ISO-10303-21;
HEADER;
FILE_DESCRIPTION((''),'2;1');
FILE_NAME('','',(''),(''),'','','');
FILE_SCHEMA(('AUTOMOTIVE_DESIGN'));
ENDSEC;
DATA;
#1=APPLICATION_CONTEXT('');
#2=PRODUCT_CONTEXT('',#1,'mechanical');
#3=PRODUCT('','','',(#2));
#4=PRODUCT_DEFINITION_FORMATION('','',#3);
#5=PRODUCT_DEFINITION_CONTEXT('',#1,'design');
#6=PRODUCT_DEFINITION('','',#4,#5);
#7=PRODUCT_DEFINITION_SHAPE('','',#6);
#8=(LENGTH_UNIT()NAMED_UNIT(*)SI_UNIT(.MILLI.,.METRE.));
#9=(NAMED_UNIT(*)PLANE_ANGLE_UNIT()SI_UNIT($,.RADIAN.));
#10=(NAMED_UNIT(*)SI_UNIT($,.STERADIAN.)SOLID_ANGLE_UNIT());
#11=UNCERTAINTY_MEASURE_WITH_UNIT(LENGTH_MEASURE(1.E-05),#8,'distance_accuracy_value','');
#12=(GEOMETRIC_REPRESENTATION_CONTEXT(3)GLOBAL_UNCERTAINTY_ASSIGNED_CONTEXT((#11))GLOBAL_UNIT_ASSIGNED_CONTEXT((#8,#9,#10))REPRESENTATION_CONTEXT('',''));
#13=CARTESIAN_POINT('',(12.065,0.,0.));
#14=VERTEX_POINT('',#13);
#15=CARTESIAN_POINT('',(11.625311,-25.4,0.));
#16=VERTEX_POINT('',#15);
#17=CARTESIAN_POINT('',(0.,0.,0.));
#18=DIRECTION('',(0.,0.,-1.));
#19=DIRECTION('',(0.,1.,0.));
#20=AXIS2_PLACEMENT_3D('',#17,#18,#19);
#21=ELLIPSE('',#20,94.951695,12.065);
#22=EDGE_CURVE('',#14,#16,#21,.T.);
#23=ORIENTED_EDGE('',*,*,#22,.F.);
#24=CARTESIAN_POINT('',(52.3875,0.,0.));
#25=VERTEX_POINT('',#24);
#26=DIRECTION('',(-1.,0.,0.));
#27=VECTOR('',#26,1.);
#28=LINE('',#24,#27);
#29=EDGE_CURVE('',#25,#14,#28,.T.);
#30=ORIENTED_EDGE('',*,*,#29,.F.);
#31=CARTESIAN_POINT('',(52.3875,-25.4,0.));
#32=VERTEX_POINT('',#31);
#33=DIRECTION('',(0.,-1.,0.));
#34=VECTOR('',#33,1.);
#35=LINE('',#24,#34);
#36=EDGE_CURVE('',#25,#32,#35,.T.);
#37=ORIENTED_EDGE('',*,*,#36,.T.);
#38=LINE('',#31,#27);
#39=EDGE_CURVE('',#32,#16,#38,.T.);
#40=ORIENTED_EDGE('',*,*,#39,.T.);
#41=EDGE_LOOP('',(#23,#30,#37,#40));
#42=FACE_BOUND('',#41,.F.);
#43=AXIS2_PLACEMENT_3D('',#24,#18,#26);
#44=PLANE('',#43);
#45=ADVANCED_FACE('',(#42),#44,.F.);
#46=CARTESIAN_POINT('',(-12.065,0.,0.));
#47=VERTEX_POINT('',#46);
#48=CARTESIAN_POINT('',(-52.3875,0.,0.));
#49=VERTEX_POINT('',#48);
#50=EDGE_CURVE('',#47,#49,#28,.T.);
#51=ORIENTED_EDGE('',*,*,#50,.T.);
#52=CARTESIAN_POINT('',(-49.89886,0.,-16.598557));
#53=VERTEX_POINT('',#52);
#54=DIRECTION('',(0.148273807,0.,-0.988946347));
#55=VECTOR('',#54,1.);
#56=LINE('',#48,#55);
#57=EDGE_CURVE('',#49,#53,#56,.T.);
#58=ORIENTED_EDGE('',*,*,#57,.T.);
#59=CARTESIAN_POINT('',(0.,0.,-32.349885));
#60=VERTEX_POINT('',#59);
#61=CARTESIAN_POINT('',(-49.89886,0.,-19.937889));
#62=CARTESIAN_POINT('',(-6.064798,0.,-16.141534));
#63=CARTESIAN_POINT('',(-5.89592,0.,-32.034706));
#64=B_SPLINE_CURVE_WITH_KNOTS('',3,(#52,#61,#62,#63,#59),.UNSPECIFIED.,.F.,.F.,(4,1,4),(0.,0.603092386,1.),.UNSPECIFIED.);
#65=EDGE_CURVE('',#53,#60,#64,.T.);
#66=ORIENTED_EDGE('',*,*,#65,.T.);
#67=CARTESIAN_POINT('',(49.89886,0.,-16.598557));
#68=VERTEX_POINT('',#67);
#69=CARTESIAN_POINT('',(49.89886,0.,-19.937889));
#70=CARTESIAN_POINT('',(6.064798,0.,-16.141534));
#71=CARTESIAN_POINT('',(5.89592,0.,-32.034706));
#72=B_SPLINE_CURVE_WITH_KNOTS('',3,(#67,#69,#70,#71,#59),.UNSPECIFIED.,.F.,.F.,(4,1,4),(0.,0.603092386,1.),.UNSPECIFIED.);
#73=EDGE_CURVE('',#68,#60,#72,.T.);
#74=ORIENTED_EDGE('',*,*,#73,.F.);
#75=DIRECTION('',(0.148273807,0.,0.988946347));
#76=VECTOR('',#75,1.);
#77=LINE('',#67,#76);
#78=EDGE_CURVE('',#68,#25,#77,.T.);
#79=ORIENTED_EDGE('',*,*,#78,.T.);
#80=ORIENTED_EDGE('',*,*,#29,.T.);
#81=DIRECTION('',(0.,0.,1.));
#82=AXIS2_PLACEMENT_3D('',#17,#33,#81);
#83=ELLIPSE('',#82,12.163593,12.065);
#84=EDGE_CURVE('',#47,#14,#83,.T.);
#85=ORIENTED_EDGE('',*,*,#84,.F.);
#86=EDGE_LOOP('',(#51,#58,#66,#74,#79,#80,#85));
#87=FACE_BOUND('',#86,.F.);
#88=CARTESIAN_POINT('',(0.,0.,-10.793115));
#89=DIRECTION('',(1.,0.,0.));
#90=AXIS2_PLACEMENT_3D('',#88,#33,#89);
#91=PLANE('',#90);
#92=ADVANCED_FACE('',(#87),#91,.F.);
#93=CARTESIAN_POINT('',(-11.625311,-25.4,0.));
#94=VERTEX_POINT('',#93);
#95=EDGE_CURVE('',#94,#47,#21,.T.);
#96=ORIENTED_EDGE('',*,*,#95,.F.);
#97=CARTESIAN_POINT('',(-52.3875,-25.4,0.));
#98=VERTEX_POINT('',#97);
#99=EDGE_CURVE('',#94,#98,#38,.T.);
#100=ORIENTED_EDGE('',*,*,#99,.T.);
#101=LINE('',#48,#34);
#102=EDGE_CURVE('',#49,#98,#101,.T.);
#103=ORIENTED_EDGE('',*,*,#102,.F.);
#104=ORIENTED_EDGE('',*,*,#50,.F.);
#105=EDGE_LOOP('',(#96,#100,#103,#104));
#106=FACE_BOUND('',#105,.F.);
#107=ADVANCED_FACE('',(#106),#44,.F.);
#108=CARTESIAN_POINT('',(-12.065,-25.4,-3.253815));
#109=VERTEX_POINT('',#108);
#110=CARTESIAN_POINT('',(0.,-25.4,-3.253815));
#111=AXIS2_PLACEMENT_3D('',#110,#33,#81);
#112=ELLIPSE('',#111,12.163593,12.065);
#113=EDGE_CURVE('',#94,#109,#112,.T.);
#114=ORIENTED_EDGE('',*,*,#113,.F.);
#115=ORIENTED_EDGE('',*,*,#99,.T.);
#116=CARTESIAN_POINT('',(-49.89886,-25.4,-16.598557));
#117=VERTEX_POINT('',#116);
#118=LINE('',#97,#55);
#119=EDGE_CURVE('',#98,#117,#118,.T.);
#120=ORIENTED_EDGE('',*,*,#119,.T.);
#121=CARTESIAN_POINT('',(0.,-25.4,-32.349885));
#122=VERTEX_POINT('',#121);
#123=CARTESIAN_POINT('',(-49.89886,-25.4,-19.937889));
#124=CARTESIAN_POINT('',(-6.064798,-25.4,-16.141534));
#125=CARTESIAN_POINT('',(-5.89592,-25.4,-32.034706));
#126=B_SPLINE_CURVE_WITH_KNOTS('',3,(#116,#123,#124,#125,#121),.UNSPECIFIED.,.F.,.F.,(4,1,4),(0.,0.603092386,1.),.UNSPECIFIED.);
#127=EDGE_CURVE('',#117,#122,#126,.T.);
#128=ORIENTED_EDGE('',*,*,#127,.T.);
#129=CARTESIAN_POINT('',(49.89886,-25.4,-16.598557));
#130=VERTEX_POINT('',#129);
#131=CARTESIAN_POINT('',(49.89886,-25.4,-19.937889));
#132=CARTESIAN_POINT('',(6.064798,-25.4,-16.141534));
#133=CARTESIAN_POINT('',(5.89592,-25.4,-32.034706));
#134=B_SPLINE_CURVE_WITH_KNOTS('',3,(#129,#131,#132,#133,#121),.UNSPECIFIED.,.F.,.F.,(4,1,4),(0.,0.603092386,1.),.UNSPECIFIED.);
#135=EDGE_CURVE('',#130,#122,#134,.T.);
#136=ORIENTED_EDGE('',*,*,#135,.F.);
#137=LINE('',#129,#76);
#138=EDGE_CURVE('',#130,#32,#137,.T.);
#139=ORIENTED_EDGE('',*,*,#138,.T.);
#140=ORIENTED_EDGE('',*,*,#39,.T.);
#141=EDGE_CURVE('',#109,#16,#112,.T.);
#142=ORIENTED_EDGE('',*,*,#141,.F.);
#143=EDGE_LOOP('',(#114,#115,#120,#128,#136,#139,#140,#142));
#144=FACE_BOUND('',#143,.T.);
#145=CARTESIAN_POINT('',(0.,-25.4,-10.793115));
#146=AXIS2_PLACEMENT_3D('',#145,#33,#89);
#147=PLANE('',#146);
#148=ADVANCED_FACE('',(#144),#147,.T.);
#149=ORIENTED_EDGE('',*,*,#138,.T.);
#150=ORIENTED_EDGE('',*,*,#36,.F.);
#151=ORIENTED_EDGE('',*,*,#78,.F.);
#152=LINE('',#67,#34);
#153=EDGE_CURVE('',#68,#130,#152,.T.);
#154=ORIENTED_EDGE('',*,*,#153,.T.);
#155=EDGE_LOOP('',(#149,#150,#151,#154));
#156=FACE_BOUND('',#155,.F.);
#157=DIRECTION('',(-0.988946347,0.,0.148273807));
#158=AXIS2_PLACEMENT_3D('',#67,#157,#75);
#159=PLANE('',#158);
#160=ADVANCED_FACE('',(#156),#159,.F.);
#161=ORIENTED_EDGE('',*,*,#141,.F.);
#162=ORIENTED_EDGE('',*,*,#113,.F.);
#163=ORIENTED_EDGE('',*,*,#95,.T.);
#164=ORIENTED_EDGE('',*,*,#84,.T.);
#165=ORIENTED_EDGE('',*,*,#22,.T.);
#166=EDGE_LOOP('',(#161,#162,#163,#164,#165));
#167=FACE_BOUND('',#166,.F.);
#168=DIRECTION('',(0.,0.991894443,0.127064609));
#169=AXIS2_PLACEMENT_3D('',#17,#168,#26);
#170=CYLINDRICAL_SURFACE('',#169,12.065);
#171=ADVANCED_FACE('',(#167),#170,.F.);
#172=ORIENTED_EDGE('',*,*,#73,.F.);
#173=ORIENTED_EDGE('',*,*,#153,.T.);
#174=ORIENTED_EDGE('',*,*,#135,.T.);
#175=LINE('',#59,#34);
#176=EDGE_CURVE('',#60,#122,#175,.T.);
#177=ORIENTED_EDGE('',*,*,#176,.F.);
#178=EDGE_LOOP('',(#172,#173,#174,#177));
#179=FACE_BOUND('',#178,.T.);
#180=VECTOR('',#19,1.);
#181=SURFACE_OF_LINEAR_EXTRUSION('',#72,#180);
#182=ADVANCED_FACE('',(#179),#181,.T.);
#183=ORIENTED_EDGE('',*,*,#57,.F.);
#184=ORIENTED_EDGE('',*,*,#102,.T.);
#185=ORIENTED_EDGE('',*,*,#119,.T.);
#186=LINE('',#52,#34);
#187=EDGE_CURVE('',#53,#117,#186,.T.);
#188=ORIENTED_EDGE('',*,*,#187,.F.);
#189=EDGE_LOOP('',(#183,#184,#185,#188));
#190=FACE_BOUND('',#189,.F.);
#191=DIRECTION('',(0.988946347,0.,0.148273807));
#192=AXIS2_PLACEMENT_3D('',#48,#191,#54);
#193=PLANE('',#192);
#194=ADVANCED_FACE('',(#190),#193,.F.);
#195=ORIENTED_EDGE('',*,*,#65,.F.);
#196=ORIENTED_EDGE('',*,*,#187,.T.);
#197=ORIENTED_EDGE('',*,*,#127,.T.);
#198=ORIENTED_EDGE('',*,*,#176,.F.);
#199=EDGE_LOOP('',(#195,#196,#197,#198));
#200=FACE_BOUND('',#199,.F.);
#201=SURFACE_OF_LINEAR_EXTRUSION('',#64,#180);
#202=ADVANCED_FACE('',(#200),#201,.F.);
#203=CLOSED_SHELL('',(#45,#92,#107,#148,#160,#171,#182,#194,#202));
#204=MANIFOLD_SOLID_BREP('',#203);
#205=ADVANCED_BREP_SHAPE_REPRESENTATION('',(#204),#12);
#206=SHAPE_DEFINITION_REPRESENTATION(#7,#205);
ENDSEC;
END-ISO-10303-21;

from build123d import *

# Parameters (mm, degrees)
F1_DEPTH = 25.4
F3_R     = 12.065
F4_DEPTH = 76.2


with BuildPart() as f1:
    # F0 (on Front) → F1 (new body)
    with BuildSketch(Plane.XZ):
        with BuildLine():
            Line((52.3875, 0), (-52.3875, 0))
            Line((-52.3875, 0), (-49.8988601972, -16.5985570235))
            add(Edge.make_bspline(
                [(-49.8988601972, -16.5985570235), (-49.8988601972, -19.9378890599), (-6.0647983403, -16.1415340845), (-5.8959199742, -32.0347056309), (0, -32.349884783)],
                knots=[0, 0, 0, 0, 0.6030923859, 1, 1, 1, 1], degree=3))
            add(Edge.make_bspline(
                [(49.8988601972, -16.5985570235), (49.8988601972, -19.9378890599), (6.0647983403, -16.1415340845), (5.8959199742, -32.0347056309), (0, -32.349884783)],
                knots=[0, 0, 0, 0, 0.6030923859, 1, 1, 1, 1], degree=3))
            Line((49.8988601972, -16.5985570235), (52.3875, 0))
        make_face()
    extrude(amount=F1_DEPTH)

    # F3 (on face) → F4 (cut)
    with BuildSketch(Plane(origin=(0, 0, 0), x_dir=(-1, 0, 0), z_dir=(0, 0.9918944426, 0.1270646086))):
        Circle(F3_R)
    extrude(amount=-F4_DEPTH, mode=Mode.SUBTRACT)


solid = f1.part
